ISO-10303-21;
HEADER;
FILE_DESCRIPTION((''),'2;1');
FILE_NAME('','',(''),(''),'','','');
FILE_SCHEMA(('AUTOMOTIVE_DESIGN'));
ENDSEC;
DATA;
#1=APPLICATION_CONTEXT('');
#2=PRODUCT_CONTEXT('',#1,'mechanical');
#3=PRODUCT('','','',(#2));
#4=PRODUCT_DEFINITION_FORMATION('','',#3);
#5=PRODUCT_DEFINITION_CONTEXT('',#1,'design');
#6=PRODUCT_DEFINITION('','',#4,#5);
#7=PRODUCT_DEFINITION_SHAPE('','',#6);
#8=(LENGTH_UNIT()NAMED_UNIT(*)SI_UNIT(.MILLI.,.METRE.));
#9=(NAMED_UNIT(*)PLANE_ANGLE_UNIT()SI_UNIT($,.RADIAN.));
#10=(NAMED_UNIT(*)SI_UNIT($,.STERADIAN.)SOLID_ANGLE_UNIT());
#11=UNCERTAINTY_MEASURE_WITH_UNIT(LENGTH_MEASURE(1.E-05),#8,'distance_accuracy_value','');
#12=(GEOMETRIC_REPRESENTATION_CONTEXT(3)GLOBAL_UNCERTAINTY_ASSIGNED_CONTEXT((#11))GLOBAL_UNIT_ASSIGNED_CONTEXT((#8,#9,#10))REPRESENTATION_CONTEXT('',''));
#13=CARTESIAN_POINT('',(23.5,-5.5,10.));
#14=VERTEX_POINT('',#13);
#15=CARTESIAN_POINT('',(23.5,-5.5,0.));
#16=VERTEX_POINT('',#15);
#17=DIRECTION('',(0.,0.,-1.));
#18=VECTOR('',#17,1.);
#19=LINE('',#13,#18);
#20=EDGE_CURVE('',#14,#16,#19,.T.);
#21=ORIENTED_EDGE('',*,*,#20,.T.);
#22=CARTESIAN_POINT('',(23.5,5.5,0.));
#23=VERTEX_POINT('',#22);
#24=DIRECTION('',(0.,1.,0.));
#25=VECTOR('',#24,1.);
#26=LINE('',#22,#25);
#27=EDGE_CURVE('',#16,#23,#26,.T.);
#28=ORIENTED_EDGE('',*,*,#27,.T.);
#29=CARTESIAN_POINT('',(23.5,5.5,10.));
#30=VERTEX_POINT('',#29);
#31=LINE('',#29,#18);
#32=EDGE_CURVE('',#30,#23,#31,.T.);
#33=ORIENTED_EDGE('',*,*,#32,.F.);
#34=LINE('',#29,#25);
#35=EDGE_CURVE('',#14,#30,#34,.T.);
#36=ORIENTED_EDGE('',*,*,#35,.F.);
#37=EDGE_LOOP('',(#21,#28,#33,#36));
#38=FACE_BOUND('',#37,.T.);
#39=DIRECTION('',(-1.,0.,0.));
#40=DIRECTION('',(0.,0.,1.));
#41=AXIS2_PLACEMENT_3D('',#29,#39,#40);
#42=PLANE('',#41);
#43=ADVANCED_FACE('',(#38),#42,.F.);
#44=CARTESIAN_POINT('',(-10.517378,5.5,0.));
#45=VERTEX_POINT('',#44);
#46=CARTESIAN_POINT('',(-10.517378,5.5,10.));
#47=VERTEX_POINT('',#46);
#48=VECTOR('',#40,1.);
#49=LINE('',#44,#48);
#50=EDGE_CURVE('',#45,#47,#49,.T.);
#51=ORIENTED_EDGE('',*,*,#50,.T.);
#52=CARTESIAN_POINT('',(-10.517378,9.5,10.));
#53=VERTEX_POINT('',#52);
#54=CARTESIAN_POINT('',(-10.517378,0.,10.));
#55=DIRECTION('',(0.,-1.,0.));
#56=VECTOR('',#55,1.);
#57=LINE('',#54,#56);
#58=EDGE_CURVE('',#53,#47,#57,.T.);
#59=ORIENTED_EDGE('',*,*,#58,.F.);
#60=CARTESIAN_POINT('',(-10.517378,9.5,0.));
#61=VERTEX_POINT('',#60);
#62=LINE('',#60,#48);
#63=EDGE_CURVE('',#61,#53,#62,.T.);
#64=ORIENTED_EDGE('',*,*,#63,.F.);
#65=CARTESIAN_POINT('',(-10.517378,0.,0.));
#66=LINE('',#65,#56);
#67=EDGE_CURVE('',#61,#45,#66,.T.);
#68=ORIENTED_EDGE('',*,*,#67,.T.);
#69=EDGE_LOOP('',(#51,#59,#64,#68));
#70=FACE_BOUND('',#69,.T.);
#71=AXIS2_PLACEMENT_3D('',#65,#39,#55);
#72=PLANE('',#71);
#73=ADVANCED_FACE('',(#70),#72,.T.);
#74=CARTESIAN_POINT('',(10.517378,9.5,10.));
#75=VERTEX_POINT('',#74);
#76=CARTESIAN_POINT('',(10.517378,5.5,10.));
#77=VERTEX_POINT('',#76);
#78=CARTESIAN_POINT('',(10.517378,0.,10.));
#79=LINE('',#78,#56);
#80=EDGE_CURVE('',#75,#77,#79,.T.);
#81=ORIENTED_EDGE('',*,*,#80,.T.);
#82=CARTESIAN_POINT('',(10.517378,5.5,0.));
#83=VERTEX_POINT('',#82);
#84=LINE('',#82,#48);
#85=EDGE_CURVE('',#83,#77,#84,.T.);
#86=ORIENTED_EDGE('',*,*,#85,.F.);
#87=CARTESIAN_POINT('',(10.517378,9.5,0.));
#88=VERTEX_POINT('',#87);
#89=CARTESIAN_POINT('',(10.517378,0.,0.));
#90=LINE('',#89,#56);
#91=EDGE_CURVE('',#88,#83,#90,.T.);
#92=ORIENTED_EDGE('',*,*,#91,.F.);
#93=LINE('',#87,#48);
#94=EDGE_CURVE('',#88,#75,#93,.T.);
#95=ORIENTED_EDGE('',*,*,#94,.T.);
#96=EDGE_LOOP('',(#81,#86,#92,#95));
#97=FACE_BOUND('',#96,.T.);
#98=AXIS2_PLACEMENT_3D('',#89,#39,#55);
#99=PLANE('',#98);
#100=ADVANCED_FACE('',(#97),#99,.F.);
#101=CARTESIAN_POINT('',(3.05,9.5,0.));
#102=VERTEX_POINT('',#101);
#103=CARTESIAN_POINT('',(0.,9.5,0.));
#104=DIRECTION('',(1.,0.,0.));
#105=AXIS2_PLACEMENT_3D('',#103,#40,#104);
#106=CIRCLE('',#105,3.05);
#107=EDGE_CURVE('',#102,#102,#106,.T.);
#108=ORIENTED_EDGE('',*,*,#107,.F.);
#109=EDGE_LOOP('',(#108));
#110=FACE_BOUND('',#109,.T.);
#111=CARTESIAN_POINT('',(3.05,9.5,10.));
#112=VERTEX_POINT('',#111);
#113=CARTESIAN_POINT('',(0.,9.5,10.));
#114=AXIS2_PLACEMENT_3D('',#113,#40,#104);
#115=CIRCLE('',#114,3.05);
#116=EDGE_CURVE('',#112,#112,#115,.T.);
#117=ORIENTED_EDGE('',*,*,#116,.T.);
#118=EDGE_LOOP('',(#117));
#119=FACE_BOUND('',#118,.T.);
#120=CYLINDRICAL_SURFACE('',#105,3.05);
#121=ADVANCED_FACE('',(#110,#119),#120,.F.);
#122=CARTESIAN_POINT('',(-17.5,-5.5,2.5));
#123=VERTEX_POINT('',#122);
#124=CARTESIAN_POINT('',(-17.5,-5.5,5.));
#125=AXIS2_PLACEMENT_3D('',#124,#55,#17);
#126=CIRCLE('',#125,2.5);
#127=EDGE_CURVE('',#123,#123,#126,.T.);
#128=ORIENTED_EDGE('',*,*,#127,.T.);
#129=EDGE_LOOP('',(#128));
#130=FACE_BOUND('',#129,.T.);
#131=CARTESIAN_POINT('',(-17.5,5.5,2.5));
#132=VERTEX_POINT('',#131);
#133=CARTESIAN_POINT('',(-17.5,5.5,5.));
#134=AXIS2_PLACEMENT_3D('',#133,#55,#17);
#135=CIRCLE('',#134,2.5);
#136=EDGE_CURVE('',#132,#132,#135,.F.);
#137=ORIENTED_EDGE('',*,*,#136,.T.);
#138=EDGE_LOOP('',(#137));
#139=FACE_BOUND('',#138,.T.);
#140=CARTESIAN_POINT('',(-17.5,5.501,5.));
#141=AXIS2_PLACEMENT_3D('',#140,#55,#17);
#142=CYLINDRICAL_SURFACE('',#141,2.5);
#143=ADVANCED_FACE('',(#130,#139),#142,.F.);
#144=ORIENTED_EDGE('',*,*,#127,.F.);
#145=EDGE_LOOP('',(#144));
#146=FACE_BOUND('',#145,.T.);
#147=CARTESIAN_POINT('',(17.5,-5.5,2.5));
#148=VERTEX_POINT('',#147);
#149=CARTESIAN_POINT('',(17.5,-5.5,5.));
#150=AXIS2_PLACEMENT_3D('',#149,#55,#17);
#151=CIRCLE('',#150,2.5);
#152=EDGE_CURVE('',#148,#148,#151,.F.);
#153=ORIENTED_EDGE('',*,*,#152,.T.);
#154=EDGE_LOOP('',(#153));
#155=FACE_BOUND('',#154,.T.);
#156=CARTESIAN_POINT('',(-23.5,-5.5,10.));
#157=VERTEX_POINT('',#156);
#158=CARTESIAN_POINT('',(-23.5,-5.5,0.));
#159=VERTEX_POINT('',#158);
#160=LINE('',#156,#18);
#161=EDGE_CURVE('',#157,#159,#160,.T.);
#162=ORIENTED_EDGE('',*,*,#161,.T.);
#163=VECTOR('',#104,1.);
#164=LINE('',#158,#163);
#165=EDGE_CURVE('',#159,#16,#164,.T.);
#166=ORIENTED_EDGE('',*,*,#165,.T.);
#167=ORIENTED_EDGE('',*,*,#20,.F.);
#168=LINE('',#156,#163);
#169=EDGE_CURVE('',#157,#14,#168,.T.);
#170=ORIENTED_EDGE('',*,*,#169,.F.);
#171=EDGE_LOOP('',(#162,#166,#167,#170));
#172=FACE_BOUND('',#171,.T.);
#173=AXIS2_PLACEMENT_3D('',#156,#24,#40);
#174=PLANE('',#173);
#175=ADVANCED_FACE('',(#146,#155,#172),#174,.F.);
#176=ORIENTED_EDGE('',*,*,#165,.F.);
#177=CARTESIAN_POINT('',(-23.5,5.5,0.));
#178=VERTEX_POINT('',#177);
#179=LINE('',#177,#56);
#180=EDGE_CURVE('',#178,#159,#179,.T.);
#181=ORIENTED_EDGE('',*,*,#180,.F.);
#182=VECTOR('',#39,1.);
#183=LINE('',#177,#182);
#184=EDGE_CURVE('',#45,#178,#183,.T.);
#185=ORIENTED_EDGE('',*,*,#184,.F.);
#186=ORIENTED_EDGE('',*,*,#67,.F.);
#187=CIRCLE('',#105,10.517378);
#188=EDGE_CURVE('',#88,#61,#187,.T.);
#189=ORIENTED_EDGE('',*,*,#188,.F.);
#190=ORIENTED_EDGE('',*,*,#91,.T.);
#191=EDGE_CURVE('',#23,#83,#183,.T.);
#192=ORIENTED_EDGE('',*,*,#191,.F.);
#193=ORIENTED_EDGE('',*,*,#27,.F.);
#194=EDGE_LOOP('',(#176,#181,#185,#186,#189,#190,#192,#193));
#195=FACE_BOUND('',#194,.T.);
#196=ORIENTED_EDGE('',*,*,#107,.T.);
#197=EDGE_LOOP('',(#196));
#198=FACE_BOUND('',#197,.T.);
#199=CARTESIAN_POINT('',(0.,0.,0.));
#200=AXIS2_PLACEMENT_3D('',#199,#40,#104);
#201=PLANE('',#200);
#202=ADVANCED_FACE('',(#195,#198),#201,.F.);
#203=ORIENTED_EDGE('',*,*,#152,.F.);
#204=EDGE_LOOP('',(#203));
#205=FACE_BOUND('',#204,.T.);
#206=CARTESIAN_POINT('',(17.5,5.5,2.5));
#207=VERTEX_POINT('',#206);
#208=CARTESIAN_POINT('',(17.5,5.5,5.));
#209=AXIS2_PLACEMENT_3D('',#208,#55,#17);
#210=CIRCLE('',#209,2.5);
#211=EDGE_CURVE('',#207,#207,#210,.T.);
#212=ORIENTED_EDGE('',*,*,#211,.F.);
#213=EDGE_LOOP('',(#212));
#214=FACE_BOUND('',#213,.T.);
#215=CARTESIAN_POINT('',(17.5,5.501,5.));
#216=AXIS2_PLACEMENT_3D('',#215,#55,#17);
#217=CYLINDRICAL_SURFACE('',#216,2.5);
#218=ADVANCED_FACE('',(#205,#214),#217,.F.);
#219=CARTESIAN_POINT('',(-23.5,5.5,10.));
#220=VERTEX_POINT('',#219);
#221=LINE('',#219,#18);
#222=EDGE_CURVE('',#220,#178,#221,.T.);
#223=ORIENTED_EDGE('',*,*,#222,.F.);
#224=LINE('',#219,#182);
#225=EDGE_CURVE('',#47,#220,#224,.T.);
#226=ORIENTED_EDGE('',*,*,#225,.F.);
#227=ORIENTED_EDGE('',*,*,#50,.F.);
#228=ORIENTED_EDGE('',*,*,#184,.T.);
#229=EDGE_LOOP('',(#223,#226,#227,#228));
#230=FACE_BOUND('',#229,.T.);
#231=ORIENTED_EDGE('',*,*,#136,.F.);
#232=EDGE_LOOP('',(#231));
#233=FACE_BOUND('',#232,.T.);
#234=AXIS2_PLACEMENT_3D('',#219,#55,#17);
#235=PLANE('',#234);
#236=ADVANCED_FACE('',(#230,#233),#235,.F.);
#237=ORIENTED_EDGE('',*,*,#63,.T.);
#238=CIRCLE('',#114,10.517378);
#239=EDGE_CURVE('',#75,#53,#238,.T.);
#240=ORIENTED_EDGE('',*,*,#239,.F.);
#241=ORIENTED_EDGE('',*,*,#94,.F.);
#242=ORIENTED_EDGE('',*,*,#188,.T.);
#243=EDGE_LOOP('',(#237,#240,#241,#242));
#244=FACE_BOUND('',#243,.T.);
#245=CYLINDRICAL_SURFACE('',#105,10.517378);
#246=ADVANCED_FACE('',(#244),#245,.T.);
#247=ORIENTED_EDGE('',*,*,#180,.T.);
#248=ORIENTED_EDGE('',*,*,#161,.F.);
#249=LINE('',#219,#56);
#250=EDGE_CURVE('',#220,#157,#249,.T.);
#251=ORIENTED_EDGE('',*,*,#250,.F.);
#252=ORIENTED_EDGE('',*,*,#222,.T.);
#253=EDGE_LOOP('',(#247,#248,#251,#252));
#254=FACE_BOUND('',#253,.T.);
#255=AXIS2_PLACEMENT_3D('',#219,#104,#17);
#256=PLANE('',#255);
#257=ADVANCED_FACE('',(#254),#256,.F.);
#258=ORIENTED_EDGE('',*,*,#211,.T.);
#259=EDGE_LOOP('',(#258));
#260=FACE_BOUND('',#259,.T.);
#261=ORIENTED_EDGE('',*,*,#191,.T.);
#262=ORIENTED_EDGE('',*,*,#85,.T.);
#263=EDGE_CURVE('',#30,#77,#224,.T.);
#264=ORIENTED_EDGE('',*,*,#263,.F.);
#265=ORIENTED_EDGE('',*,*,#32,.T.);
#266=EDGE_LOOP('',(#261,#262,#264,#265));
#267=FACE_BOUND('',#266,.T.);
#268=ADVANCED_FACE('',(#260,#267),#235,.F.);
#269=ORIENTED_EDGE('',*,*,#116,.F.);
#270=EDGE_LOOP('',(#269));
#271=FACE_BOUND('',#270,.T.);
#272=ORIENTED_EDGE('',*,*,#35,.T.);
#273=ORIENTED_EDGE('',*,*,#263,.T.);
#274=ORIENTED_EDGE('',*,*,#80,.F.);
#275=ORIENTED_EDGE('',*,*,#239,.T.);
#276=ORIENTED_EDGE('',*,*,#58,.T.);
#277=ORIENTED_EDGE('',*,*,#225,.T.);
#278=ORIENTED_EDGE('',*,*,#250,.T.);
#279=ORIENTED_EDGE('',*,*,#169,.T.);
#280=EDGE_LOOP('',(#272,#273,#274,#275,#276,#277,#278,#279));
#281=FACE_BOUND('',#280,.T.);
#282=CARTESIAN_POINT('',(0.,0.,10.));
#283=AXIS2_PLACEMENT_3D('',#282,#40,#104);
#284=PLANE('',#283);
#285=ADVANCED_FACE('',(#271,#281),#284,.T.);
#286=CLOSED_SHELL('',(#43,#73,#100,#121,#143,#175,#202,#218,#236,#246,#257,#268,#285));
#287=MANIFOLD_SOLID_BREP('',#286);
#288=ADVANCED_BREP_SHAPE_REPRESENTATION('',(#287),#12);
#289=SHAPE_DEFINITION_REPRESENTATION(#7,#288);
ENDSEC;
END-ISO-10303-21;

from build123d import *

# Parameters (mm, degrees)
SKETCH1_W           = 47
SKETCH1_H           = 11
BOSS_EXTRUDE1_DEPTH = 10
CUT_EXTRUDE1_REACH  = 29.807
SKETCH3_R           = 2.5
BOSS_EXTRUDE3_DEPTH = 10


with BuildPart() as part:
    # Sketch1 → Boss-Extrude1 (new body)
    with BuildSketch(Plane.XY):
        Rectangle(SKETCH1_W, SKETCH1_H)
    extrude(amount=BOSS_EXTRUDE1_DEPTH)

    # Sketch3 → Cut-Extrude1 (cut, up to next)
    with BuildSketch(Plane.XZ.offset(5.5), mode=Mode.PRIVATE) as cut_extrude1_sk1:
        with BuildLine():
            ThreePointArc((-20, 5), (-17.5, 2.5), (-15, 5))
            Line((-15, 5), (-17.5, 5))
            Line((-17.5, 5), (-20, 5))
        make_face()
    cut_extrude1_tool1 = extrude(cut_extrude1_sk1.sketch, amount=-CUT_EXTRUDE1_REACH, mode=Mode.PRIVATE) & part.part
    # Sketch3 → Cut-Extrude1 (cut, up to next)
    with BuildSketch(Plane.XZ.offset(5.5), mode=Mode.PRIVATE) as cut_extrude1_sk2:
        with BuildLine():
            Line((-17.5, 5), (-15, 5))
            ThreePointArc((-15, 5), (-17.5, 7.5), (-20, 5))
            Line((-20, 5), (-17.5, 5))
        make_face()
    cut_extrude1_tool2 = extrude(cut_extrude1_sk2.sketch, amount=-CUT_EXTRUDE1_REACH, mode=Mode.PRIVATE) & part.part
    # Sketch3 → Cut-Extrude1 (cut, up to next)
    with BuildSketch(Plane.XZ.offset(5.5), mode=Mode.PRIVATE) as cut_extrude1_sk3:
        with BuildLine():
            ThreePointArc((-20, 5), (-17.5, 2.5), (-15, 5))
            Line((-15, 5), (-17.5, 5))
            Line((-17.5, 5), (-20, 5))
        make_face()
    cut_extrude1_tool3 = extrude(cut_extrude1_sk3.sketch, amount=-CUT_EXTRUDE1_REACH, mode=Mode.PRIVATE) & part.part
    # Sketch3 → Cut-Extrude1 (cut, up to next)
    with BuildSketch(Plane.XZ.offset(5.5), mode=Mode.PRIVATE) as cut_extrude1_sk4:
        with BuildLine():
            Line((-17.5, 5), (-15, 5))
            ThreePointArc((-15, 5), (-17.5, 7.5), (-20, 5))
            Line((-20, 5), (-17.5, 5))
        make_face()
    cut_extrude1_tool4 = extrude(cut_extrude1_sk4.sketch, amount=-CUT_EXTRUDE1_REACH, mode=Mode.PRIVATE) & part.part
    # Sketch3 → Cut-Extrude1 (cut, up to next)
    with BuildSketch(Plane.XZ.offset(5.5), mode=Mode.PRIVATE) as cut_extrude1_sk5:
        with Locations(Location((17.5, 5, 0), (0, 0, 270))):
            Circle(SKETCH3_R)
    cut_extrude1_tool5 = extrude(cut_extrude1_sk5.sketch, amount=-CUT_EXTRUDE1_REACH, mode=Mode.PRIVATE) & part.part
    add(cut_extrude1_tool1.solids().sort_by_distance((-17.5, -5.5, 3.938967))[0], mode=Mode.SUBTRACT)
    add(cut_extrude1_tool2.solids().sort_by_distance((-17.5, -5.5, 6.061033))[0], mode=Mode.SUBTRACT)
    add(cut_extrude1_tool3.solids().sort_by_distance((-17.5, -5.5, 3.938967))[0], mode=Mode.SUBTRACT)
    add(cut_extrude1_tool4.solids().sort_by_distance((-17.5, -5.5, 6.061033))[0], mode=Mode.SUBTRACT)
    add(cut_extrude1_tool5.solids().sort_by_distance((17.5, -5.5, 5))[0], mode=Mode.SUBTRACT)

    # Sketch4 → Boss-Extrude3 (add)
    with BuildSketch(Plane.XY.offset(10)):
        with BuildLine():
            Line((-10.517377717, 5.5), (0, 5.5))
            Line((0, 5.5), (10.517377717, 5.5))
            Line((10.517377717, 5.5), (10.517377717, 9.5))
            ThreePointArc((10.517377717, 9.5), (0, 20.017377717), (-10.517377717, 9.5))
            Line((-10.517377717, 9.5), (-10.517377717, 5.5))
        make_face()
        with BuildLine():
            ThreePointArc((3.05, 9.5), (2.156675683, 7.343324317), (0, 6.45))
            ThreePointArc((0, 6.45), (-2.156675683, 11.656675683), (3.05, 9.5))
        make_face(mode=Mode.SUBTRACT)
    extrude(amount=-BOSS_EXTRUDE3_DEPTH)


solid = part.part
